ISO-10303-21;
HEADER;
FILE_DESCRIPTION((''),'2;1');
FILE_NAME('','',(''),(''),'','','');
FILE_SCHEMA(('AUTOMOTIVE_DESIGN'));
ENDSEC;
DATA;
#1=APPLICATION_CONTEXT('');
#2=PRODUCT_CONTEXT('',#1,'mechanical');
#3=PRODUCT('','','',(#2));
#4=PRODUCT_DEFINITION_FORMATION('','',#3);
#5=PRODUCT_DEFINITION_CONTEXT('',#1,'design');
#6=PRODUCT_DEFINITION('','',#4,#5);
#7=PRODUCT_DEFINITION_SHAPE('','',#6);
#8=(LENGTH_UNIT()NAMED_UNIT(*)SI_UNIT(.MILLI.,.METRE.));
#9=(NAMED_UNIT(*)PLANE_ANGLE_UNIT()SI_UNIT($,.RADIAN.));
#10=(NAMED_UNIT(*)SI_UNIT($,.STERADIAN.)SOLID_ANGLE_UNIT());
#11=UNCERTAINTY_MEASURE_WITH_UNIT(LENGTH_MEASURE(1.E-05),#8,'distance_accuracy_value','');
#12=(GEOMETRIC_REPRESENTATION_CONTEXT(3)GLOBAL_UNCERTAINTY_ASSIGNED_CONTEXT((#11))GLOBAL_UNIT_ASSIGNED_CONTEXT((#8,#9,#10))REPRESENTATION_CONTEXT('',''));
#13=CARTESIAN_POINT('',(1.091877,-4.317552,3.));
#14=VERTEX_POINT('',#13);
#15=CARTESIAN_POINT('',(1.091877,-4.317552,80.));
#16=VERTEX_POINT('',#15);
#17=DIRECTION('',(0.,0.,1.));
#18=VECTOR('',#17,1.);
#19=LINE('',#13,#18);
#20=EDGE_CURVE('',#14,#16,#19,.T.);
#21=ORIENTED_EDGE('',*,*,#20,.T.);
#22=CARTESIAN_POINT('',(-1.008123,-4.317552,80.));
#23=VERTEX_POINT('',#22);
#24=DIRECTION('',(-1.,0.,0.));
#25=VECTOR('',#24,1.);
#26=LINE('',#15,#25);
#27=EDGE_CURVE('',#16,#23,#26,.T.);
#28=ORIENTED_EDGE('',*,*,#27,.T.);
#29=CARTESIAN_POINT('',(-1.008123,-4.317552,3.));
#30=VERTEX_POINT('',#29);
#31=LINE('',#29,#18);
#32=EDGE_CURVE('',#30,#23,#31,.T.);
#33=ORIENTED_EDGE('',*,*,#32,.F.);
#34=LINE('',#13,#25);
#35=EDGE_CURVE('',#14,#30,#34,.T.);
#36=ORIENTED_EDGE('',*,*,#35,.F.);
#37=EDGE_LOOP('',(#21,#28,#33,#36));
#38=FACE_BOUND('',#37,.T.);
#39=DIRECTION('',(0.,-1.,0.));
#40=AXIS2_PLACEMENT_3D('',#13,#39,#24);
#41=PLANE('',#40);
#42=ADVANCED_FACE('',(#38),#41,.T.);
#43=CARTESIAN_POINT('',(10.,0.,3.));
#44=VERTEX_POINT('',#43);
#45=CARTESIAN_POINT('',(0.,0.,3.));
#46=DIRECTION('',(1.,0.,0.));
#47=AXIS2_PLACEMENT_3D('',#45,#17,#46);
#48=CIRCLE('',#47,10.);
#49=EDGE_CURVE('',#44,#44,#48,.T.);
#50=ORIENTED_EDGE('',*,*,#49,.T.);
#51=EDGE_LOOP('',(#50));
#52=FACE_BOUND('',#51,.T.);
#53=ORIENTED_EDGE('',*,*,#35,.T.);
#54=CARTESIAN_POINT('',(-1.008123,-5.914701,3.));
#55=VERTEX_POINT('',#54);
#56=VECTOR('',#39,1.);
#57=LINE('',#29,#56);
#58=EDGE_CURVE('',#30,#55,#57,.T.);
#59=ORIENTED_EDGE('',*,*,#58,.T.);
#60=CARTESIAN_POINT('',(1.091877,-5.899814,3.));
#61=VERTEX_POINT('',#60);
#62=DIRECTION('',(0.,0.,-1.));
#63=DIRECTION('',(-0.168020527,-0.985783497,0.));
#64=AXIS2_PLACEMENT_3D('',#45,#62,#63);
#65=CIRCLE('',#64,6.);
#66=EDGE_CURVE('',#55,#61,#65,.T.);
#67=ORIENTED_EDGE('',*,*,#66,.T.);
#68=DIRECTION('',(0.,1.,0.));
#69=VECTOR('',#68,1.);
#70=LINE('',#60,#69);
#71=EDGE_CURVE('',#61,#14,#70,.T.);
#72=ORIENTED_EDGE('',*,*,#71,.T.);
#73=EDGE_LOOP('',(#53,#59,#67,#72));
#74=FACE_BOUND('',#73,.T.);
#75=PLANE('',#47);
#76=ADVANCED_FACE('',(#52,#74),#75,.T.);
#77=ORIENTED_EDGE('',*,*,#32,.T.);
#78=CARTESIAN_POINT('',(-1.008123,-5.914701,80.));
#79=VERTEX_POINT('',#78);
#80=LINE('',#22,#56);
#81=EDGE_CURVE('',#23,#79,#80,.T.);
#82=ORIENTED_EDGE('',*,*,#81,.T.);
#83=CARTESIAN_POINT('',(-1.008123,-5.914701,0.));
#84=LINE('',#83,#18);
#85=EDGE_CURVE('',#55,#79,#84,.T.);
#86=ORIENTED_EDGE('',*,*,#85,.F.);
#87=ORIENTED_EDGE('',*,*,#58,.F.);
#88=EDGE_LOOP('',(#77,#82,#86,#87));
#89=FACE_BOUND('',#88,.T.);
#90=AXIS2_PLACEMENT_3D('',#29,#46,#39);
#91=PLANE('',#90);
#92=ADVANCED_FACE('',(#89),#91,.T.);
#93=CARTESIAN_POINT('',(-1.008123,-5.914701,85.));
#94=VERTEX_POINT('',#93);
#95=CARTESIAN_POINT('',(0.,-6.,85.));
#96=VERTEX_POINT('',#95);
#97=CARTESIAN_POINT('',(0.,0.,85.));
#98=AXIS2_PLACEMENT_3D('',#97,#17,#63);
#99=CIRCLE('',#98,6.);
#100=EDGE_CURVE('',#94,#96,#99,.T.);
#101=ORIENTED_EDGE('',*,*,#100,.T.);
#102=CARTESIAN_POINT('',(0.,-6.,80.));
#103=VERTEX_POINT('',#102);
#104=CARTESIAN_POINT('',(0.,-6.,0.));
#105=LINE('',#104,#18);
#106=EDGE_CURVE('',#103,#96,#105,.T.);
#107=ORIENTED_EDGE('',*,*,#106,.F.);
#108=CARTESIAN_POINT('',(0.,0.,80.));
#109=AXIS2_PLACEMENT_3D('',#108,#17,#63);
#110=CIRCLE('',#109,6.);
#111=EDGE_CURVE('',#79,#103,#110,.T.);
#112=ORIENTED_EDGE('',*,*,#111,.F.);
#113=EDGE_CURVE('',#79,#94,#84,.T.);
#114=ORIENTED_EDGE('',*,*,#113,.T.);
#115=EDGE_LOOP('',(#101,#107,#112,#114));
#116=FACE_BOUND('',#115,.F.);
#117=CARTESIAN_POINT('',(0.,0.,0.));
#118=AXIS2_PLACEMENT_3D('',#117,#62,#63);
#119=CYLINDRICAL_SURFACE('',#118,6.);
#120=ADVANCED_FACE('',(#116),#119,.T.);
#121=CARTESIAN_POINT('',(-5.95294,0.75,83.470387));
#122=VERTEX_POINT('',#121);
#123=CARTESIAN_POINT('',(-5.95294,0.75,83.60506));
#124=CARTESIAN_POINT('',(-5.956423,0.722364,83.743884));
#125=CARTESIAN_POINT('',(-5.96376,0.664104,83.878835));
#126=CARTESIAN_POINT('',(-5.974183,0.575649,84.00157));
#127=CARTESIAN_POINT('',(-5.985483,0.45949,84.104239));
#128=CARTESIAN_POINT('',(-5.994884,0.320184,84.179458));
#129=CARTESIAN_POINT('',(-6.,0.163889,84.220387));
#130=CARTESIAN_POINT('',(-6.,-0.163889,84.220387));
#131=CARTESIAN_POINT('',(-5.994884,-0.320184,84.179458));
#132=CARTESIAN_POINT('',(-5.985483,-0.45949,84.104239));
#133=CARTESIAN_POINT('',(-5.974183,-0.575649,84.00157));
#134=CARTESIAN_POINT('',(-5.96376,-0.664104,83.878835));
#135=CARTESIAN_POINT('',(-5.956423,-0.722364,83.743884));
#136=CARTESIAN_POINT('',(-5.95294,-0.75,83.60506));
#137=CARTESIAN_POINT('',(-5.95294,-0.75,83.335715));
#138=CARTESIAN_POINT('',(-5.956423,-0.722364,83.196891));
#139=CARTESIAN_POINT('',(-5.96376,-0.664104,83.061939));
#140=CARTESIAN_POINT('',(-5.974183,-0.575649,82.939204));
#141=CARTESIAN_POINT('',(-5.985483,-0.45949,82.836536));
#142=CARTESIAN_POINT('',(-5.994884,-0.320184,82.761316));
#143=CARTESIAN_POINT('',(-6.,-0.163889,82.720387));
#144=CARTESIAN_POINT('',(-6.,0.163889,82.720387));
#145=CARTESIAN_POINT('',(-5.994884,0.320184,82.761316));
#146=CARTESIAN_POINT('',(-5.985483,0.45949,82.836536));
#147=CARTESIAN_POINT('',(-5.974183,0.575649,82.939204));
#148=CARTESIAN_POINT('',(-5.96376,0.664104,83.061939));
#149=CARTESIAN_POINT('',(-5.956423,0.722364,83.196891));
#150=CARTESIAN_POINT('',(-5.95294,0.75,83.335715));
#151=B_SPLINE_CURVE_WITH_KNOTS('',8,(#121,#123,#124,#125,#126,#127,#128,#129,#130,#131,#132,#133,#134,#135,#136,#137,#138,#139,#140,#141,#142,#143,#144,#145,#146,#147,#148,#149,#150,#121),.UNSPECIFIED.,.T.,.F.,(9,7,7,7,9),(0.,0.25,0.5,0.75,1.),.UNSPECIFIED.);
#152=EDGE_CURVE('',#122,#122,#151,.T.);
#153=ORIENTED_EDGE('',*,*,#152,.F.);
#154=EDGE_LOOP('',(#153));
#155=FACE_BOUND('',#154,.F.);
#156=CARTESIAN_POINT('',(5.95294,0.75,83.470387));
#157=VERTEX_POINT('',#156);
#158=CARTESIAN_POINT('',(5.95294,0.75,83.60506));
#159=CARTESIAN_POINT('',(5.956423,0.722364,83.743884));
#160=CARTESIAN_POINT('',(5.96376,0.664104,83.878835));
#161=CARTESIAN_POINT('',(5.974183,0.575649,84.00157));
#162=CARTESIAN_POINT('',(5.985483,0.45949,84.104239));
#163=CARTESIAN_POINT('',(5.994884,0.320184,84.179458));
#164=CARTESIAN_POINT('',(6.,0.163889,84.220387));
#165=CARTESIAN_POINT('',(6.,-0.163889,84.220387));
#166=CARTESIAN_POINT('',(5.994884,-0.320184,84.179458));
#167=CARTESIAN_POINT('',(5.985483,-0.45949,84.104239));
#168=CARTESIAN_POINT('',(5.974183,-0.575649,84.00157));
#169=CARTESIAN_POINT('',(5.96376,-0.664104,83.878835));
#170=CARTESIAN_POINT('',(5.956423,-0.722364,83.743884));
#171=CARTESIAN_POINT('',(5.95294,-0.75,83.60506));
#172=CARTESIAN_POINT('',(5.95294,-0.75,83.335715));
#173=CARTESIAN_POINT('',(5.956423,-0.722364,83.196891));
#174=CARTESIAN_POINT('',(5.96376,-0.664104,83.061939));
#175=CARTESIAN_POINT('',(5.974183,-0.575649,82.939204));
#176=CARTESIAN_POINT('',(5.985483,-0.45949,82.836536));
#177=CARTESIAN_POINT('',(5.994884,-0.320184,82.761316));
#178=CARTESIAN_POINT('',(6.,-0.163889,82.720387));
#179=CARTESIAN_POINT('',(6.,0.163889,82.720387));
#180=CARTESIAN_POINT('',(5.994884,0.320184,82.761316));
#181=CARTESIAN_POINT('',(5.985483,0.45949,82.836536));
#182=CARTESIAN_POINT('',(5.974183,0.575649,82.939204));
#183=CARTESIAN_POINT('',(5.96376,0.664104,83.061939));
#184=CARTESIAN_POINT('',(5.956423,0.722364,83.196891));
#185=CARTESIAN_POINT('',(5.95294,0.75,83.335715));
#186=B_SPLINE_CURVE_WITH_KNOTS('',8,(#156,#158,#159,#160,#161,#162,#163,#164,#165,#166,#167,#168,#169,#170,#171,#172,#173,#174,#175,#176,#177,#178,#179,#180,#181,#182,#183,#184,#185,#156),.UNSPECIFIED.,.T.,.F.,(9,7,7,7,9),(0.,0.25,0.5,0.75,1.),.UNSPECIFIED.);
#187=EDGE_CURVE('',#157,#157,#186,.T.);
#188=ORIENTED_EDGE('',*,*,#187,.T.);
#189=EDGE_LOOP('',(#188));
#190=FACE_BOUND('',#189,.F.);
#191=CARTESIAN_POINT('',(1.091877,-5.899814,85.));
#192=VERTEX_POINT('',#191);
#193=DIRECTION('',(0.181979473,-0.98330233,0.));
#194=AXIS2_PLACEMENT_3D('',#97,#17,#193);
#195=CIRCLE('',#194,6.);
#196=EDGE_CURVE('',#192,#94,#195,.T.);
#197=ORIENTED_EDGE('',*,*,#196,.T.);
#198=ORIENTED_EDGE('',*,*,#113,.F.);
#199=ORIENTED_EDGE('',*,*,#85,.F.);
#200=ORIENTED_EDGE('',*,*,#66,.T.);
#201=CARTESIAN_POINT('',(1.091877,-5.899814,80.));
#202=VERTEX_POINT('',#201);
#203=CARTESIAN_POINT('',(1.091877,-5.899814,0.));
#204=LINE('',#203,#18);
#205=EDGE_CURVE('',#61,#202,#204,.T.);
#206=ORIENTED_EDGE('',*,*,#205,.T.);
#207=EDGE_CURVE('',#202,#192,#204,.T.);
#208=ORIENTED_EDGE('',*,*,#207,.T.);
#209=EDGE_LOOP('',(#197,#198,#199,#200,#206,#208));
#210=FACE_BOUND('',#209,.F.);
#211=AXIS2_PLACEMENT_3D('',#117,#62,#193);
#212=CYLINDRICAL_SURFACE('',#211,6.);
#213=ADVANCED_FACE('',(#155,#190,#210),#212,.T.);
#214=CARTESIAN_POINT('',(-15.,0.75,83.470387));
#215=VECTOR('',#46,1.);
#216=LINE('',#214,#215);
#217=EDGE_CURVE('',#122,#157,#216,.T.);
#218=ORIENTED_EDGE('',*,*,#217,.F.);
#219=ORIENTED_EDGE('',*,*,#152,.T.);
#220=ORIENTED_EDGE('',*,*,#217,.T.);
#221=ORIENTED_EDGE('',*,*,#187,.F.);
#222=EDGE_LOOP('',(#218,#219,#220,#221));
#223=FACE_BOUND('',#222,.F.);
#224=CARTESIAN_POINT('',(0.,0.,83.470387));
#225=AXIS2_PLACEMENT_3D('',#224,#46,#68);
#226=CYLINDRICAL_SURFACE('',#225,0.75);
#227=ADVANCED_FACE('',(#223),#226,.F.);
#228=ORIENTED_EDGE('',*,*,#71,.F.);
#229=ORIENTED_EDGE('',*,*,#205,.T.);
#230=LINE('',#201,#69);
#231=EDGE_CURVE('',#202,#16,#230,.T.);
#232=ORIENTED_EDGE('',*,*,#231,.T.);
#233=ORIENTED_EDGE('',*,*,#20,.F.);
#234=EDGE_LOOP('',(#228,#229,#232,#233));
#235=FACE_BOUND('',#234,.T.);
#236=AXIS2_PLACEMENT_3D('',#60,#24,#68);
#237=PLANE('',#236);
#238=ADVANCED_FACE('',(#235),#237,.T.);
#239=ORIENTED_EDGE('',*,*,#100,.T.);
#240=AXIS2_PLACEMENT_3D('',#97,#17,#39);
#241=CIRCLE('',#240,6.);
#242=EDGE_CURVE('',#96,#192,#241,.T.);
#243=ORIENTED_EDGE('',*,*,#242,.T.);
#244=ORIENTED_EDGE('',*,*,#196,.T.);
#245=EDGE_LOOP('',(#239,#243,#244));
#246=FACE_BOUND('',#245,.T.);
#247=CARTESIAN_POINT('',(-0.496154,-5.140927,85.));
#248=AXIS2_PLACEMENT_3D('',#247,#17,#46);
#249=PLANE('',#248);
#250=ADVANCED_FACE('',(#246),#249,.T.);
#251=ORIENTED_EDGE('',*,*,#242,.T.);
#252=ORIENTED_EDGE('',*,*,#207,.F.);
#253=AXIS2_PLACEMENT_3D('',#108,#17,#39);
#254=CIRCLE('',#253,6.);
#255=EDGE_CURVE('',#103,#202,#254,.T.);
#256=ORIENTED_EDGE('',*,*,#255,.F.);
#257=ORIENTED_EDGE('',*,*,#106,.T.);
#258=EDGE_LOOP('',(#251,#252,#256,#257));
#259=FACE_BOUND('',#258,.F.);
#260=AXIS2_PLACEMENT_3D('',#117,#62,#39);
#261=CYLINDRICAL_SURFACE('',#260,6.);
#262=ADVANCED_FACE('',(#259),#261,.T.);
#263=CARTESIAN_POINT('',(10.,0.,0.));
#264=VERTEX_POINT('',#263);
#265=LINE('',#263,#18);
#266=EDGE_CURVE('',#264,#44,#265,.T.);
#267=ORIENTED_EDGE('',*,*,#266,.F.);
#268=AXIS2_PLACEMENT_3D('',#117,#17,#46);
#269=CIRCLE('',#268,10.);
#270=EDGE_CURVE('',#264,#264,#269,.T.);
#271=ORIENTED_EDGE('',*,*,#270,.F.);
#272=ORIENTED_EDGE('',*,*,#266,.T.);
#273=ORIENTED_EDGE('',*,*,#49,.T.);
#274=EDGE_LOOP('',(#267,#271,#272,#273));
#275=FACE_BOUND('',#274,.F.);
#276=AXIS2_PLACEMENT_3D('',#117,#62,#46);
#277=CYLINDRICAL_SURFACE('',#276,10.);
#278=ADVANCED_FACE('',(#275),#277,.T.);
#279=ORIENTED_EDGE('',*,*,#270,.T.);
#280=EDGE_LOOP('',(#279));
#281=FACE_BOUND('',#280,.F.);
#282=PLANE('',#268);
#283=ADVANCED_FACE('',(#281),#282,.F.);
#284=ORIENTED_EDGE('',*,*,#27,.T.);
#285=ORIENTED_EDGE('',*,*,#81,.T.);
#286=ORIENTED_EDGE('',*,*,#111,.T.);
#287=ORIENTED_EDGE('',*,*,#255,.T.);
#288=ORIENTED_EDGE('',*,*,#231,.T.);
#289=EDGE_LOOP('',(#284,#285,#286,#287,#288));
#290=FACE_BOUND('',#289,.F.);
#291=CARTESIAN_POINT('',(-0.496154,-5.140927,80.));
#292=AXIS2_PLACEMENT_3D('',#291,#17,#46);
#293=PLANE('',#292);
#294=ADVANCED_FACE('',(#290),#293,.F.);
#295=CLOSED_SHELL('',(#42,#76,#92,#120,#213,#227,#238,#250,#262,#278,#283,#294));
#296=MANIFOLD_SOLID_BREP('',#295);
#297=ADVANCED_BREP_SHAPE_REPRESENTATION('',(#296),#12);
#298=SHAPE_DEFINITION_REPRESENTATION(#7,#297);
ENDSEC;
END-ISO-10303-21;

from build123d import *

# Parameters (mm, degrees)
F1_DEPTH = 85
F0_R     = 10
F2_DEPTH = 3
F3_R     = 0.75
F4_DEPTH = 15
F5_START = 3
F5_DEPTH = 77


with BuildPart() as f1:
    # F0 (on Top) → F1 (new body)
    with BuildSketch(Plane.XY):
        with BuildLine():
            Line((-1.0081231615, -4.3175521048), (-1.0081231615, -5.9147009807))
            ThreePointArc((-1.0081231615, -5.9147009807), (-0.5058626868, -5.9786372145), (0, -6))
            Line((0, -6), (0, -4.3175521048))
            Line((0, -4.3175521048), (-1.0081231615, -4.3175521048))
        make_face()
        with BuildLine():
            ThreePointArc((0, -6), (0.5482317643, -5.9749009977), (1.0918768385, -5.8998139775))
            Line((1.0918768385, -5.8998139775), (1.0918768385, -4.3175521048))
            Line((1.0918768385, -4.3175521048), (0, -4.3175521048))
            Line((0, -4.3175521048), (0, -6))
        make_face()
        with BuildLine():
            ThreePointArc((1.0918768385, -5.8998139775), (4.6125514106, -3.8372346142), (6, 0))
            ThreePointArc((6, 0), (-3.8698359804, 4.5852338528), (-1.0081231615, -5.9147009807))
            Line((-1.0081231615, -5.9147009807), (-1.0081231615, -4.3175521048))
            Line((-1.0081231615, -4.3175521048), (0, -4.3175521048))
            Line((0, -4.3175521048), (1.0918768385, -4.3175521048))
            Line((1.0918768385, -4.3175521048), (1.0918768385, -5.8998139775))
        make_face()
    extrude(amount=F1_DEPTH)

    # F0 (on Top) → F2 (join)
    with BuildSketch(Plane.XY):
        Circle(F0_R)
        with BuildLine():
            ThreePointArc((-1.0081231615, -5.9147009807), (-3.8698359804, 4.5852338528), (6, 0))
            ThreePointArc((6, 0), (4.6125514106, -3.8372346142), (1.0918768385, -5.8998139775))
            ThreePointArc((1.0918768385, -5.8998139775), (0.5482317643, -5.9749009977), (0, -6))
            ThreePointArc((0, -6), (-0.5058626868, -5.9786372145), (-1.0081231615, -5.9147009807))
        make_face(mode=Mode.SUBTRACT)
    extrude(amount=F2_DEPTH)

    # F3 (on Right) → F4 (cut, symmetric)
    with BuildSketch(Plane.YZ):
        with Locations((0, 83.4703872204)):
            Circle(F3_R)
    extrude(amount=F4_DEPTH, both=True, mode=Mode.SUBTRACT)

    # F0 (on Top) → F5 (cut)
    with BuildSketch(Plane.XY.offset(F5_START)):
        with BuildLine():
            Line((-1.0081231615, -4.3175521048), (-1.0081231615, -5.9147009807))
            ThreePointArc((-1.0081231615, -5.9147009807), (-0.5058626868, -5.9786372145), (0, -6))
            Line((0, -6), (0, -4.3175521048))
            Line((0, -4.3175521048), (-1.0081231615, -4.3175521048))
        make_face()
        with BuildLine():
            ThreePointArc((0, -6), (0.5482317643, -5.9749009977), (1.0918768385, -5.8998139775))
            Line((1.0918768385, -5.8998139775), (1.0918768385, -4.3175521048))
            Line((1.0918768385, -4.3175521048), (0, -4.3175521048))
            Line((0, -4.3175521048), (0, -6))
        make_face()
    extrude(amount=F5_DEPTH, mode=Mode.SUBTRACT)


solid = f1.part
